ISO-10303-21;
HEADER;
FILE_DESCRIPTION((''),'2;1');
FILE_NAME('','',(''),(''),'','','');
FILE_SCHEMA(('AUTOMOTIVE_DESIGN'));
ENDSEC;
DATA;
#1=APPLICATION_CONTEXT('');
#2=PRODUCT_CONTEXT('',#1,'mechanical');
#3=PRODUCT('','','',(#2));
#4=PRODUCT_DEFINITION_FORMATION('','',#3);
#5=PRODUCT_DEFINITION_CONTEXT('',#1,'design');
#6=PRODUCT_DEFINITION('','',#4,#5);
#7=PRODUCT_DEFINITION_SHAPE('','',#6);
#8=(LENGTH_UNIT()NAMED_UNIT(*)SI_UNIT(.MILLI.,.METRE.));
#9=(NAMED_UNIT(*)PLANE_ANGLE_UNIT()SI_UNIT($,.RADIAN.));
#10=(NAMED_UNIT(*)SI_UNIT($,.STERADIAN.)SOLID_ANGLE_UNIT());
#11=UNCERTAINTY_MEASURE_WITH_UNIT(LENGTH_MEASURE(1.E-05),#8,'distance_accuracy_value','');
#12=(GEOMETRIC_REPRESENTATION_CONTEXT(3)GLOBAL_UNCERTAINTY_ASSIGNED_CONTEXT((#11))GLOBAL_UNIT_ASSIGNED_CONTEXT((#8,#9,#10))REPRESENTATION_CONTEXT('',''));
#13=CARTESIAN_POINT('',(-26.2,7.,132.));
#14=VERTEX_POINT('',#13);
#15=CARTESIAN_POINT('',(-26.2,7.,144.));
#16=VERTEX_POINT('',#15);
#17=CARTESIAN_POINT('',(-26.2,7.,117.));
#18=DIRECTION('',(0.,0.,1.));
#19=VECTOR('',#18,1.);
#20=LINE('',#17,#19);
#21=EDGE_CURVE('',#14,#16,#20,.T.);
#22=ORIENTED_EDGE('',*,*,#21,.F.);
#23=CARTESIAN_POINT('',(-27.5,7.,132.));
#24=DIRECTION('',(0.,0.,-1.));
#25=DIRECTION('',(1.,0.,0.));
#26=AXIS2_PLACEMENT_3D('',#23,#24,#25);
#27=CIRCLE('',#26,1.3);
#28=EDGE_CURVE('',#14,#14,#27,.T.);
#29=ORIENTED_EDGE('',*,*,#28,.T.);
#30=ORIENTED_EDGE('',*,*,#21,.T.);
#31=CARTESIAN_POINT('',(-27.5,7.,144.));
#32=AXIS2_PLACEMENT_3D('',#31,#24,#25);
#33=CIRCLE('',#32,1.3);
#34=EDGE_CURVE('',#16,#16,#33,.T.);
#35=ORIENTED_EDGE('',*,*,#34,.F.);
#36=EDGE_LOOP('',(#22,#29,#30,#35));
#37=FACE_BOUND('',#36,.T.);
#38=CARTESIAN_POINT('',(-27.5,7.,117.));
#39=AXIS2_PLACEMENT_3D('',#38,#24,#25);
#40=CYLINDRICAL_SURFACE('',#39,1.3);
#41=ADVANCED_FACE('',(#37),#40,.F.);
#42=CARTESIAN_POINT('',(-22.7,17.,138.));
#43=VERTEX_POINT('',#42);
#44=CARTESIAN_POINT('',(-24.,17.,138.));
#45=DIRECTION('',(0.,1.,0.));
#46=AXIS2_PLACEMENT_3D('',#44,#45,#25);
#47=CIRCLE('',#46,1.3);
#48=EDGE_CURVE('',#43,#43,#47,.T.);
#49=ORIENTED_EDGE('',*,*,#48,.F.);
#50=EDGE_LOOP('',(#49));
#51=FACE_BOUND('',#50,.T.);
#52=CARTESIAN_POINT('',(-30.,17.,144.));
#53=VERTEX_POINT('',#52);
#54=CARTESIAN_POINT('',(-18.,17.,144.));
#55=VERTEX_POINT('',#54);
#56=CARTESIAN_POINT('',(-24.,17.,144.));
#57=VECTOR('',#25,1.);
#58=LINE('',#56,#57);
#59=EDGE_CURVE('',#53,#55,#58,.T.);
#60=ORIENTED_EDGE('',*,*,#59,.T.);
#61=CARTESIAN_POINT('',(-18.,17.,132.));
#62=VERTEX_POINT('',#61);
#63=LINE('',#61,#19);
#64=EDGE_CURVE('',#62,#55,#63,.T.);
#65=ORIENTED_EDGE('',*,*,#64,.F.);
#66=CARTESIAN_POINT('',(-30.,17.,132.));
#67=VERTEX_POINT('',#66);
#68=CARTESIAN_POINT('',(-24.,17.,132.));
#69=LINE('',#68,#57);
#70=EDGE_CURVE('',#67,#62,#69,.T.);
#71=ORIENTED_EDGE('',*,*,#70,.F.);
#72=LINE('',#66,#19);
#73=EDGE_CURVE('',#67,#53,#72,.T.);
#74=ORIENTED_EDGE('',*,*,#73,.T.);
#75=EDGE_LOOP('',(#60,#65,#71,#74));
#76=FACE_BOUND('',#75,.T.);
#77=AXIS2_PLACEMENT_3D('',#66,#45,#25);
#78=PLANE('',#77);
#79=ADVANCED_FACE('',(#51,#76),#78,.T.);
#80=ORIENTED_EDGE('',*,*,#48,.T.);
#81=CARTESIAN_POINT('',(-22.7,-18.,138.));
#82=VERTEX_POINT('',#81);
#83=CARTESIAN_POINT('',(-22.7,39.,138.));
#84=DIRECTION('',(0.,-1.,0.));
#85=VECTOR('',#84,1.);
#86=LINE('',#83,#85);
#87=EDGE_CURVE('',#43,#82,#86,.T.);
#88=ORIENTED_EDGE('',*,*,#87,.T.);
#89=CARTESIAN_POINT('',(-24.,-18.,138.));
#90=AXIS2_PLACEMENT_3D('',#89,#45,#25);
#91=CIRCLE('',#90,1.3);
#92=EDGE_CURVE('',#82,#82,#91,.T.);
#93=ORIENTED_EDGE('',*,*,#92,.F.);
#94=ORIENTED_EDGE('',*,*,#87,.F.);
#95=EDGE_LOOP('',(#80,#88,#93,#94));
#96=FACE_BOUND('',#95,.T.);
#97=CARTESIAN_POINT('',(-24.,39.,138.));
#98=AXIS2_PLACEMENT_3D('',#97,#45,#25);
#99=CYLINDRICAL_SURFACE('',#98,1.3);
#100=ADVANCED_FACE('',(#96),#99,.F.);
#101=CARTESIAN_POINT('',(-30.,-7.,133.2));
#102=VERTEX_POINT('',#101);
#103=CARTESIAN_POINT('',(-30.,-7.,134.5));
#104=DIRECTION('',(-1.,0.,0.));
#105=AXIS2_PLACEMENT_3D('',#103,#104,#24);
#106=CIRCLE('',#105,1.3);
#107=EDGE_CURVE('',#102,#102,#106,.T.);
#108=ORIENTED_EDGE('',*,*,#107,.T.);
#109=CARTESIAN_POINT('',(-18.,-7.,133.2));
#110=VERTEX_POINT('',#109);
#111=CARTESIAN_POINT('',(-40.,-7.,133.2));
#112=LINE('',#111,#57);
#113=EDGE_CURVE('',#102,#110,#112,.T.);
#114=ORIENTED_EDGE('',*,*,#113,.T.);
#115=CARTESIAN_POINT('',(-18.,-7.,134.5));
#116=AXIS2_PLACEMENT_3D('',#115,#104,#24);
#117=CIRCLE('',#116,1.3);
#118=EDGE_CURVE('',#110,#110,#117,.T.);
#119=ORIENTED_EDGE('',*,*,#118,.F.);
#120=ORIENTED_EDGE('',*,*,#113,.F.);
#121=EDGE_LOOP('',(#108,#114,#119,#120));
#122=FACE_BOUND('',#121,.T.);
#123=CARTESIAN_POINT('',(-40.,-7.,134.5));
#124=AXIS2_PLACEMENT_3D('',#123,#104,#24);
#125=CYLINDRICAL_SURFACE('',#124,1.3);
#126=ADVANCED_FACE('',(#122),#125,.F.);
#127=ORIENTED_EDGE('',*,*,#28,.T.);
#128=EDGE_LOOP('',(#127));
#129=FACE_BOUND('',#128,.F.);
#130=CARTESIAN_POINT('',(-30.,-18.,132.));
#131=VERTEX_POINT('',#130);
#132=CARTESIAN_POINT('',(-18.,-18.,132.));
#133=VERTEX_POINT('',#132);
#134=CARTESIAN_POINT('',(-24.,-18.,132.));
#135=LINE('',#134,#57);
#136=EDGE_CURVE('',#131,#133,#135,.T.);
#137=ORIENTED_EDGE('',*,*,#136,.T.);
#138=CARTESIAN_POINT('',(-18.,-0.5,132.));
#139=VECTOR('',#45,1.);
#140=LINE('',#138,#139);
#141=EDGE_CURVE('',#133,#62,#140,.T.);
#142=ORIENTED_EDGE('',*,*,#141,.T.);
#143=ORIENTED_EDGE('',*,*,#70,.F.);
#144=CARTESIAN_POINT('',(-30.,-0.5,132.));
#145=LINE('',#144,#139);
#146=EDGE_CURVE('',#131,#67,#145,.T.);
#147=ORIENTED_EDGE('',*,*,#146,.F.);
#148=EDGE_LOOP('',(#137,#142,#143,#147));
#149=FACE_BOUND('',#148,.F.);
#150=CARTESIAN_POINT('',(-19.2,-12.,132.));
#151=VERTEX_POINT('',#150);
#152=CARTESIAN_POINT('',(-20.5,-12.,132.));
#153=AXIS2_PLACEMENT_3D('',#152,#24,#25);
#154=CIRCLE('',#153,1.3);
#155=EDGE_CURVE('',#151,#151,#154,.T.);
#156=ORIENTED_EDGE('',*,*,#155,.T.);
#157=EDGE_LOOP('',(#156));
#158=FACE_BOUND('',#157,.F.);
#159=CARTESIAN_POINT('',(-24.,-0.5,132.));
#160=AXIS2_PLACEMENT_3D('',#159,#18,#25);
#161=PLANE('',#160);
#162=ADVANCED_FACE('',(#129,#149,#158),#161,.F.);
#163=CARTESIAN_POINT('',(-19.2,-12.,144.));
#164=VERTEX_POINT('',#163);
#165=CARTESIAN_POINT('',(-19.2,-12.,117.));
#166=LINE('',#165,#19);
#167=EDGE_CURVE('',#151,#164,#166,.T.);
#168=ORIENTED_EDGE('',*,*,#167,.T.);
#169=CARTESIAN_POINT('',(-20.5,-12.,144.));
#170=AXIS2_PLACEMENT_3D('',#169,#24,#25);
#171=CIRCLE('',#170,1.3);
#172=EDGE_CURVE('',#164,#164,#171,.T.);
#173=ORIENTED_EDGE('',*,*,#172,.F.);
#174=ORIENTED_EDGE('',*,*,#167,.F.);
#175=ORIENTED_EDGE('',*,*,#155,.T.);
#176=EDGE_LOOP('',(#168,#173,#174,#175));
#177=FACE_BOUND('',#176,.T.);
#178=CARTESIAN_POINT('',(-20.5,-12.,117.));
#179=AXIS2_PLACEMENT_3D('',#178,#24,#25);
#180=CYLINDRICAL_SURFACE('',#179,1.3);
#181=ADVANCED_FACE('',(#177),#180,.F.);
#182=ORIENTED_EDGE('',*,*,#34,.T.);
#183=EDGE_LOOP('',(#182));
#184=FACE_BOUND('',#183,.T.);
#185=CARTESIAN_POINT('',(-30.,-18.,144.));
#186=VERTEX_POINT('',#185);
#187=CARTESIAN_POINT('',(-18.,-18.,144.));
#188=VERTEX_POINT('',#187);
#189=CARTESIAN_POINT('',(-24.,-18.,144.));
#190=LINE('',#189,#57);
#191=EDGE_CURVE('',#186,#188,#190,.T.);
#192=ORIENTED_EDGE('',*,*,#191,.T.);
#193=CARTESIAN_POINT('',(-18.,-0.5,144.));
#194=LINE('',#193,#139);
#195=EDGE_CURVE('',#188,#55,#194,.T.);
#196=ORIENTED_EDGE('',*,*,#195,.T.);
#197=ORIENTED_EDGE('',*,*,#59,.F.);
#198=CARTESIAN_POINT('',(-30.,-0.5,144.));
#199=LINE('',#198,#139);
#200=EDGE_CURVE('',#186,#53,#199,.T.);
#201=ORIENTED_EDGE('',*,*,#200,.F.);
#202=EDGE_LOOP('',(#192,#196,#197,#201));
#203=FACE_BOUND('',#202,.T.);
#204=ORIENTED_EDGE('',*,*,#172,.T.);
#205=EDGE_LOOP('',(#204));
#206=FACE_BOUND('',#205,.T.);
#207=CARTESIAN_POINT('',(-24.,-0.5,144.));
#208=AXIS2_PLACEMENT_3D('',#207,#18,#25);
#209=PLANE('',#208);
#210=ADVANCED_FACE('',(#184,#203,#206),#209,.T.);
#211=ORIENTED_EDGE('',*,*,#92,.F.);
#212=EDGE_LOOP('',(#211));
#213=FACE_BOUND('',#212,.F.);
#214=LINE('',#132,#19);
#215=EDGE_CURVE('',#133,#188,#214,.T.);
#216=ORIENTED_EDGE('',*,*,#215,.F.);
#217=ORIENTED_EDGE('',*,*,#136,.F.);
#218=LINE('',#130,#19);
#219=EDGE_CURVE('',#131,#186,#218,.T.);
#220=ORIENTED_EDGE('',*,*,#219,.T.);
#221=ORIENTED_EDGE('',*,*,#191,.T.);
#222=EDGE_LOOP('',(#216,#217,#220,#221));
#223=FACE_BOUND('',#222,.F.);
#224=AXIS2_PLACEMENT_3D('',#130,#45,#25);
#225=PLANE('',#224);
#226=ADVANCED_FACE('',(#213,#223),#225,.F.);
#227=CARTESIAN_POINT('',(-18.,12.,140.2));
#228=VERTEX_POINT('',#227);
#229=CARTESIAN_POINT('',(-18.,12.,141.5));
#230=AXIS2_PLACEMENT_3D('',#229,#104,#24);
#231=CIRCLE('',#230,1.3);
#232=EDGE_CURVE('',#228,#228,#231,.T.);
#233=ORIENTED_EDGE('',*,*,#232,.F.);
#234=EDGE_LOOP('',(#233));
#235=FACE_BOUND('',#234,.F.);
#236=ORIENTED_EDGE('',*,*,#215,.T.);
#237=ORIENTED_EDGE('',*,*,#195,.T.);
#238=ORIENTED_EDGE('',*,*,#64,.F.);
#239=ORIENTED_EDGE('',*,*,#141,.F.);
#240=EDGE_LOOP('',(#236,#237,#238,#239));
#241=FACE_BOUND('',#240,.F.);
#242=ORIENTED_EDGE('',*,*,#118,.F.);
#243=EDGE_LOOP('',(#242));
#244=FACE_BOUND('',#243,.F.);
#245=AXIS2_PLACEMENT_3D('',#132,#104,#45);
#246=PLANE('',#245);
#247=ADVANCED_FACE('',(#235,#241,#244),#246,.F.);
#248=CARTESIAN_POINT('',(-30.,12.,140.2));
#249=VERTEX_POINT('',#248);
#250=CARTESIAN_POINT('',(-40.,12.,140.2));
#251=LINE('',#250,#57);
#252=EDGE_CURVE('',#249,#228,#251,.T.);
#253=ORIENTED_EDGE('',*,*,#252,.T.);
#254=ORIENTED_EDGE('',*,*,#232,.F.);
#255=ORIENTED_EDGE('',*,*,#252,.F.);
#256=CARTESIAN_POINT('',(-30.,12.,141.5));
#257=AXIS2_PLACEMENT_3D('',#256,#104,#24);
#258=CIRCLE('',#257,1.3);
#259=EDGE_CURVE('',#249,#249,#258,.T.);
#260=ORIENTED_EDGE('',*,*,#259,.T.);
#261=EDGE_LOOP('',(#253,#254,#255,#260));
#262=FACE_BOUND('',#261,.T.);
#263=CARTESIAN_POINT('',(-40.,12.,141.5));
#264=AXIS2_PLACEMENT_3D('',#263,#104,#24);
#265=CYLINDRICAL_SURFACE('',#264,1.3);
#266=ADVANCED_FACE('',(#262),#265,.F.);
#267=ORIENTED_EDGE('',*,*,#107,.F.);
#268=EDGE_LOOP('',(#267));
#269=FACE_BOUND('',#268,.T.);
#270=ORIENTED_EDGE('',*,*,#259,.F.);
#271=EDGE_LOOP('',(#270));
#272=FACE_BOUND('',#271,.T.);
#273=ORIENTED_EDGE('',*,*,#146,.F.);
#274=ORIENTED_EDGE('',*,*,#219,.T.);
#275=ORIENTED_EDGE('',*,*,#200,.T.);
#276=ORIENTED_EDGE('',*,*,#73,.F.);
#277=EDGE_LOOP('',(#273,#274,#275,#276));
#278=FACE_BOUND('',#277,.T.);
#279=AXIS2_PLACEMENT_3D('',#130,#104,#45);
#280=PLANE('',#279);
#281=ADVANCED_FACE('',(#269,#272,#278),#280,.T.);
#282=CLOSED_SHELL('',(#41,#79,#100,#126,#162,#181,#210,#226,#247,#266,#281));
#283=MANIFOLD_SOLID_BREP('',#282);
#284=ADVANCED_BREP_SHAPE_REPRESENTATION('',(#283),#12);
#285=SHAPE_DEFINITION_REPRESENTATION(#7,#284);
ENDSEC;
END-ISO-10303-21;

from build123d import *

# Parameters (mm, degrees)
CYLINDER024_R           = 1.3
CYLINDER024_DEPTH       = 40
CYLINDER024_PITCH_ANGLE = 90
CYLINDER023_R           = 1.3
CYLINDER023_DEPTH       = 40
CYLINDER023_PITCH_ANGLE = 90
CYLINDER022_R           = 1.3
CYLINDER022_DEPTH       = 70
CYLINDER022_ROLL_ANGLE  = 90
CYLINDER021_R           = 1.3
CYLINDER021_DEPTH       = 40
CYLINDER020_R           = 1.3
CYLINDER020_DEPTH       = 40
BOX017_W                = 12
BOX017_H                = 35
BOX017_DEPTH            = 12


with BuildPart() as cylinder105:
    # Cylinder024 → Cylinder024 (new body)
    with BuildSketch(Plane.XY):
        Circle(CYLINDER024_R)
    extrude(amount=CYLINDER024_DEPTH)


with BuildPart() as cylinder105_1:
    # Cylinder024 pitch: moved
    add(cylinder105.part.rotate(Axis((0, 0, 0), (0, 1, 0)), CYLINDER024_PITCH_ANGLE))


with BuildPart() as cylinder105_2:
    # Cylinder024 placement: moved
    add(cylinder105_1.part.moved(Location((-40, 12, 9.5))))


with BuildPart() as fusion007:
    # Cylinder023 → Cylinder023 (new body)
    with BuildSketch(Plane.XY):
        Circle(CYLINDER023_R)
    extrude(amount=CYLINDER023_DEPTH)


with BuildPart() as fusion007_1:
    # Cylinder023 pitch: moved
    add(fusion007.part.rotate(Axis((0, 0, 0), (0, 1, 0)), CYLINDER023_PITCH_ANGLE))


with BuildPart() as fusion007_2:
    # Cylinder023 placement: moved
    add(fusion007_1.part.moved(Location((-40, -7, 2.5))))

    # Fusion007: union Cylinder105
    add(cylinder105_2.part)


with BuildPart() as fusion008:
    # Cylinder022 → Cylinder022 (new body)
    with BuildSketch(Plane.XY):
        Circle(CYLINDER022_R)
    extrude(amount=CYLINDER022_DEPTH)


with BuildPart() as fusion008_1:
    # Cylinder022 roll: moved
    add(fusion008.part.rotate(Axis((0, 0, 0), (1, 0, 0)), CYLINDER022_ROLL_ANGLE))


with BuildPart() as fusion008_2:
    # Cylinder022 placement: moved
    add(fusion008_1.part.moved(Location((-24, 39, 6))))

    # Fusion008: union Fusion007
    add(fusion007_2.part)


with BuildPart() as fusion009:
    # Cylinder021 → Cylinder021 (new body)
    with BuildSketch(Plane(origin=(-27.5, 7, -15), x_dir=(1, 0, 0), z_dir=(0, 0, 1))):
        Circle(CYLINDER021_R)
    extrude(amount=CYLINDER021_DEPTH)

    # Fusion009: union Fusion008
    add(fusion008_2.part)


with BuildPart() as corner_block_holes:
    # Cylinder020 → Cylinder020 (new body)
    with BuildSketch(Plane(origin=(-20.5, -12, -15), x_dir=(1, 0, 0), z_dir=(0, 0, 1))):
        Circle(CYLINDER020_R)
    extrude(amount=CYLINDER020_DEPTH)

    # Fusion010: union Fusion009
    add(fusion009.part)


with BuildPart() as corner_block002:
    # Box017 → Box017 (new body)
    with BuildSketch(Plane(origin=(-30, -18, 0), x_dir=(1, 0, 0), z_dir=(0, 0, 1))):
        with Locations((6, 17.5)):
            Rectangle(BOX017_W, BOX017_H)
    extrude(amount=BOX017_DEPTH)

    # Cut010: cut corner-block-holes
    add(corner_block_holes.part, mode=Mode.SUBTRACT)


with BuildPart() as corner_block002_1:
    # Cut010 placement: moved
    add(corner_block002.part.moved(Location((0, 0, 132))))


solid = corner_block002_1.part
